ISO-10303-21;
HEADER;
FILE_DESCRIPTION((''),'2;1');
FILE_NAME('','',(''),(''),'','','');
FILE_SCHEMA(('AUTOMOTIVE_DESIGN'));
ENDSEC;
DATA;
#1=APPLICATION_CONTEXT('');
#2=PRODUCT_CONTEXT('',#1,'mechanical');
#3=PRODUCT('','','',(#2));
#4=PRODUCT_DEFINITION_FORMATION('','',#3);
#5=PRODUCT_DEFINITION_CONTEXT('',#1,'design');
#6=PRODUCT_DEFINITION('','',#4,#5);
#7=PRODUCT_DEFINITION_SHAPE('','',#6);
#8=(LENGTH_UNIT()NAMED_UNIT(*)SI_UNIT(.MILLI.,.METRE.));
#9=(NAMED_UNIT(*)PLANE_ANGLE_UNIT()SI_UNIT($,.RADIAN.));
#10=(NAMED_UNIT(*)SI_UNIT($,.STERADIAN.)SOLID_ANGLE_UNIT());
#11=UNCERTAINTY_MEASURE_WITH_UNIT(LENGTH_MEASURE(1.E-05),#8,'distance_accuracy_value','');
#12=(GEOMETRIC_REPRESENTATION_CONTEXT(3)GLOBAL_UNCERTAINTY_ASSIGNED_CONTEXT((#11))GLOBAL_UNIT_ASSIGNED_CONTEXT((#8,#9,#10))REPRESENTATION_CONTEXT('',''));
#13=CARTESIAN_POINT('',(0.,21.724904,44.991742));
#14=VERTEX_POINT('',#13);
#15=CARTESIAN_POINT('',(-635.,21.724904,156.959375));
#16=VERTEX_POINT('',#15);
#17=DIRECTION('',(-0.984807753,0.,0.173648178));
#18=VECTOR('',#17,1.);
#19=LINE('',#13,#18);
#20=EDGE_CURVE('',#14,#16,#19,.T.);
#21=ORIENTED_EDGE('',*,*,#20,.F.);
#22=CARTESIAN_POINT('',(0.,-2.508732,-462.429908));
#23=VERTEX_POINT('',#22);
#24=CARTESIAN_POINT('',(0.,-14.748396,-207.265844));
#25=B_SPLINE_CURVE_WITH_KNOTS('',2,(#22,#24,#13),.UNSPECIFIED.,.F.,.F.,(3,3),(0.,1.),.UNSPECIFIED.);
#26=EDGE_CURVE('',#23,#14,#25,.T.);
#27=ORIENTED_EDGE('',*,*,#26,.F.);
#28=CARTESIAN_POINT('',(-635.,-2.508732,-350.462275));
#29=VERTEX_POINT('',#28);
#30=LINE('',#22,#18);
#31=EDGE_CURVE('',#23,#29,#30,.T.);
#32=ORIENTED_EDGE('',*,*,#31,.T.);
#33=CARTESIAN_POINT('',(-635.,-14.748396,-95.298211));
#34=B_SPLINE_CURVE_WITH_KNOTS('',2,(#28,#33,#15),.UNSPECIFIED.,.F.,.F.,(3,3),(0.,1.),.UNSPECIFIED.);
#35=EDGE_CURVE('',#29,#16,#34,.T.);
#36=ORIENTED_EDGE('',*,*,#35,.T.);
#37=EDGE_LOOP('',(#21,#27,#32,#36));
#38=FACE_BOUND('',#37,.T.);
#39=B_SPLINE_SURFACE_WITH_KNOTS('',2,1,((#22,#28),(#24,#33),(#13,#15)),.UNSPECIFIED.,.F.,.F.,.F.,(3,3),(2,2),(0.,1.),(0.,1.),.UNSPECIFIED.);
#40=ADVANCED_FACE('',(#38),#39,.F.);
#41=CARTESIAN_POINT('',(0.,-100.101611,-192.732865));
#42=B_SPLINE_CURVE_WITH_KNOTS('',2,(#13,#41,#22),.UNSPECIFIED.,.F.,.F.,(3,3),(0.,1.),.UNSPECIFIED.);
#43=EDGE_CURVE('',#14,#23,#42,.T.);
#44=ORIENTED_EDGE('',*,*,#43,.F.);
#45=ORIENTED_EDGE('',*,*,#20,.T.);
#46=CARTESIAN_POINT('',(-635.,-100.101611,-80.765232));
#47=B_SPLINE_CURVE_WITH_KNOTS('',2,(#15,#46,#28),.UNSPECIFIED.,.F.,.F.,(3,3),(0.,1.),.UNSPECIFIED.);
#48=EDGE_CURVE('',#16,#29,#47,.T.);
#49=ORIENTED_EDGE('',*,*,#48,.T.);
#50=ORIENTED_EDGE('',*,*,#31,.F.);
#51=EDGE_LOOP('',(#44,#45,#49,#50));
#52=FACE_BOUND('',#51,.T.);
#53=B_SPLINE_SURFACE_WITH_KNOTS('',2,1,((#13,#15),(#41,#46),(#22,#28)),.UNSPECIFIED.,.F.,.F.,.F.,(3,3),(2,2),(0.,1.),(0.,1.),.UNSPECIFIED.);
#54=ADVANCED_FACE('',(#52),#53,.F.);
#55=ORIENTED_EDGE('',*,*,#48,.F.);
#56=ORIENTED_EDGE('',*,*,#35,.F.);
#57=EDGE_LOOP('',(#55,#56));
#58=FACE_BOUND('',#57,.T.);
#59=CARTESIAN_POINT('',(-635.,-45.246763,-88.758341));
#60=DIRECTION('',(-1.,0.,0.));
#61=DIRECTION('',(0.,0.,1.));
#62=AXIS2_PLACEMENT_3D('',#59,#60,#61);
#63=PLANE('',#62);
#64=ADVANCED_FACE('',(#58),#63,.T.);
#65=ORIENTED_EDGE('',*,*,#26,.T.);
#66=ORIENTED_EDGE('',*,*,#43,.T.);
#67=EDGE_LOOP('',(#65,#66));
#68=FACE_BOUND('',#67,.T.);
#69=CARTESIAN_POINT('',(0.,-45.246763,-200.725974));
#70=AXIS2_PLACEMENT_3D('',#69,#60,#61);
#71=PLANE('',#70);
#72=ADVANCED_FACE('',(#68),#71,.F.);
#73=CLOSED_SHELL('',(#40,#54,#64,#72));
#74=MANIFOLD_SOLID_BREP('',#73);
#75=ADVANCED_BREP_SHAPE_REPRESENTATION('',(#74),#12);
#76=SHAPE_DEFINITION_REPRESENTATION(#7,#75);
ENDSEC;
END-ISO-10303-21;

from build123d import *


with BuildPart() as part:
    # Sweep1: sweep along a path in Sketch2
    with BuildLine(Plane(origin=(0, 0, 0), x_dir=(1, 0, 0), z_dir=(0, 1, 0))) as sweep1_path:
        Line((0, 157.491897014), (-635, 45.524264264))
    # Sketch1 → Sweep1 (sweep)
    with BuildSketch(Plane(origin=(0, 0, 0), x_dir=(0, 0, -1), z_dir=(1, 0, 0))):
        with BuildLine():
            add(Edge.make_bspline(
                [(-44.991742267, 21.724903544), (207.265844034, -14.748396326), (462.429907732, -2.508732425)],
                knots=[0, 0, 0, 1, 1, 1], degree=2))
            add(Edge.make_bspline(
                [(-44.991742267, 21.724903544), (192.732864504, -100.101611134), (462.429907732, -2.508732425)],
                knots=[0, 0, 0, 1, 1, 1], degree=2))
        make_face()
    sweep(path=sweep1_path.line)


solid = part.part
